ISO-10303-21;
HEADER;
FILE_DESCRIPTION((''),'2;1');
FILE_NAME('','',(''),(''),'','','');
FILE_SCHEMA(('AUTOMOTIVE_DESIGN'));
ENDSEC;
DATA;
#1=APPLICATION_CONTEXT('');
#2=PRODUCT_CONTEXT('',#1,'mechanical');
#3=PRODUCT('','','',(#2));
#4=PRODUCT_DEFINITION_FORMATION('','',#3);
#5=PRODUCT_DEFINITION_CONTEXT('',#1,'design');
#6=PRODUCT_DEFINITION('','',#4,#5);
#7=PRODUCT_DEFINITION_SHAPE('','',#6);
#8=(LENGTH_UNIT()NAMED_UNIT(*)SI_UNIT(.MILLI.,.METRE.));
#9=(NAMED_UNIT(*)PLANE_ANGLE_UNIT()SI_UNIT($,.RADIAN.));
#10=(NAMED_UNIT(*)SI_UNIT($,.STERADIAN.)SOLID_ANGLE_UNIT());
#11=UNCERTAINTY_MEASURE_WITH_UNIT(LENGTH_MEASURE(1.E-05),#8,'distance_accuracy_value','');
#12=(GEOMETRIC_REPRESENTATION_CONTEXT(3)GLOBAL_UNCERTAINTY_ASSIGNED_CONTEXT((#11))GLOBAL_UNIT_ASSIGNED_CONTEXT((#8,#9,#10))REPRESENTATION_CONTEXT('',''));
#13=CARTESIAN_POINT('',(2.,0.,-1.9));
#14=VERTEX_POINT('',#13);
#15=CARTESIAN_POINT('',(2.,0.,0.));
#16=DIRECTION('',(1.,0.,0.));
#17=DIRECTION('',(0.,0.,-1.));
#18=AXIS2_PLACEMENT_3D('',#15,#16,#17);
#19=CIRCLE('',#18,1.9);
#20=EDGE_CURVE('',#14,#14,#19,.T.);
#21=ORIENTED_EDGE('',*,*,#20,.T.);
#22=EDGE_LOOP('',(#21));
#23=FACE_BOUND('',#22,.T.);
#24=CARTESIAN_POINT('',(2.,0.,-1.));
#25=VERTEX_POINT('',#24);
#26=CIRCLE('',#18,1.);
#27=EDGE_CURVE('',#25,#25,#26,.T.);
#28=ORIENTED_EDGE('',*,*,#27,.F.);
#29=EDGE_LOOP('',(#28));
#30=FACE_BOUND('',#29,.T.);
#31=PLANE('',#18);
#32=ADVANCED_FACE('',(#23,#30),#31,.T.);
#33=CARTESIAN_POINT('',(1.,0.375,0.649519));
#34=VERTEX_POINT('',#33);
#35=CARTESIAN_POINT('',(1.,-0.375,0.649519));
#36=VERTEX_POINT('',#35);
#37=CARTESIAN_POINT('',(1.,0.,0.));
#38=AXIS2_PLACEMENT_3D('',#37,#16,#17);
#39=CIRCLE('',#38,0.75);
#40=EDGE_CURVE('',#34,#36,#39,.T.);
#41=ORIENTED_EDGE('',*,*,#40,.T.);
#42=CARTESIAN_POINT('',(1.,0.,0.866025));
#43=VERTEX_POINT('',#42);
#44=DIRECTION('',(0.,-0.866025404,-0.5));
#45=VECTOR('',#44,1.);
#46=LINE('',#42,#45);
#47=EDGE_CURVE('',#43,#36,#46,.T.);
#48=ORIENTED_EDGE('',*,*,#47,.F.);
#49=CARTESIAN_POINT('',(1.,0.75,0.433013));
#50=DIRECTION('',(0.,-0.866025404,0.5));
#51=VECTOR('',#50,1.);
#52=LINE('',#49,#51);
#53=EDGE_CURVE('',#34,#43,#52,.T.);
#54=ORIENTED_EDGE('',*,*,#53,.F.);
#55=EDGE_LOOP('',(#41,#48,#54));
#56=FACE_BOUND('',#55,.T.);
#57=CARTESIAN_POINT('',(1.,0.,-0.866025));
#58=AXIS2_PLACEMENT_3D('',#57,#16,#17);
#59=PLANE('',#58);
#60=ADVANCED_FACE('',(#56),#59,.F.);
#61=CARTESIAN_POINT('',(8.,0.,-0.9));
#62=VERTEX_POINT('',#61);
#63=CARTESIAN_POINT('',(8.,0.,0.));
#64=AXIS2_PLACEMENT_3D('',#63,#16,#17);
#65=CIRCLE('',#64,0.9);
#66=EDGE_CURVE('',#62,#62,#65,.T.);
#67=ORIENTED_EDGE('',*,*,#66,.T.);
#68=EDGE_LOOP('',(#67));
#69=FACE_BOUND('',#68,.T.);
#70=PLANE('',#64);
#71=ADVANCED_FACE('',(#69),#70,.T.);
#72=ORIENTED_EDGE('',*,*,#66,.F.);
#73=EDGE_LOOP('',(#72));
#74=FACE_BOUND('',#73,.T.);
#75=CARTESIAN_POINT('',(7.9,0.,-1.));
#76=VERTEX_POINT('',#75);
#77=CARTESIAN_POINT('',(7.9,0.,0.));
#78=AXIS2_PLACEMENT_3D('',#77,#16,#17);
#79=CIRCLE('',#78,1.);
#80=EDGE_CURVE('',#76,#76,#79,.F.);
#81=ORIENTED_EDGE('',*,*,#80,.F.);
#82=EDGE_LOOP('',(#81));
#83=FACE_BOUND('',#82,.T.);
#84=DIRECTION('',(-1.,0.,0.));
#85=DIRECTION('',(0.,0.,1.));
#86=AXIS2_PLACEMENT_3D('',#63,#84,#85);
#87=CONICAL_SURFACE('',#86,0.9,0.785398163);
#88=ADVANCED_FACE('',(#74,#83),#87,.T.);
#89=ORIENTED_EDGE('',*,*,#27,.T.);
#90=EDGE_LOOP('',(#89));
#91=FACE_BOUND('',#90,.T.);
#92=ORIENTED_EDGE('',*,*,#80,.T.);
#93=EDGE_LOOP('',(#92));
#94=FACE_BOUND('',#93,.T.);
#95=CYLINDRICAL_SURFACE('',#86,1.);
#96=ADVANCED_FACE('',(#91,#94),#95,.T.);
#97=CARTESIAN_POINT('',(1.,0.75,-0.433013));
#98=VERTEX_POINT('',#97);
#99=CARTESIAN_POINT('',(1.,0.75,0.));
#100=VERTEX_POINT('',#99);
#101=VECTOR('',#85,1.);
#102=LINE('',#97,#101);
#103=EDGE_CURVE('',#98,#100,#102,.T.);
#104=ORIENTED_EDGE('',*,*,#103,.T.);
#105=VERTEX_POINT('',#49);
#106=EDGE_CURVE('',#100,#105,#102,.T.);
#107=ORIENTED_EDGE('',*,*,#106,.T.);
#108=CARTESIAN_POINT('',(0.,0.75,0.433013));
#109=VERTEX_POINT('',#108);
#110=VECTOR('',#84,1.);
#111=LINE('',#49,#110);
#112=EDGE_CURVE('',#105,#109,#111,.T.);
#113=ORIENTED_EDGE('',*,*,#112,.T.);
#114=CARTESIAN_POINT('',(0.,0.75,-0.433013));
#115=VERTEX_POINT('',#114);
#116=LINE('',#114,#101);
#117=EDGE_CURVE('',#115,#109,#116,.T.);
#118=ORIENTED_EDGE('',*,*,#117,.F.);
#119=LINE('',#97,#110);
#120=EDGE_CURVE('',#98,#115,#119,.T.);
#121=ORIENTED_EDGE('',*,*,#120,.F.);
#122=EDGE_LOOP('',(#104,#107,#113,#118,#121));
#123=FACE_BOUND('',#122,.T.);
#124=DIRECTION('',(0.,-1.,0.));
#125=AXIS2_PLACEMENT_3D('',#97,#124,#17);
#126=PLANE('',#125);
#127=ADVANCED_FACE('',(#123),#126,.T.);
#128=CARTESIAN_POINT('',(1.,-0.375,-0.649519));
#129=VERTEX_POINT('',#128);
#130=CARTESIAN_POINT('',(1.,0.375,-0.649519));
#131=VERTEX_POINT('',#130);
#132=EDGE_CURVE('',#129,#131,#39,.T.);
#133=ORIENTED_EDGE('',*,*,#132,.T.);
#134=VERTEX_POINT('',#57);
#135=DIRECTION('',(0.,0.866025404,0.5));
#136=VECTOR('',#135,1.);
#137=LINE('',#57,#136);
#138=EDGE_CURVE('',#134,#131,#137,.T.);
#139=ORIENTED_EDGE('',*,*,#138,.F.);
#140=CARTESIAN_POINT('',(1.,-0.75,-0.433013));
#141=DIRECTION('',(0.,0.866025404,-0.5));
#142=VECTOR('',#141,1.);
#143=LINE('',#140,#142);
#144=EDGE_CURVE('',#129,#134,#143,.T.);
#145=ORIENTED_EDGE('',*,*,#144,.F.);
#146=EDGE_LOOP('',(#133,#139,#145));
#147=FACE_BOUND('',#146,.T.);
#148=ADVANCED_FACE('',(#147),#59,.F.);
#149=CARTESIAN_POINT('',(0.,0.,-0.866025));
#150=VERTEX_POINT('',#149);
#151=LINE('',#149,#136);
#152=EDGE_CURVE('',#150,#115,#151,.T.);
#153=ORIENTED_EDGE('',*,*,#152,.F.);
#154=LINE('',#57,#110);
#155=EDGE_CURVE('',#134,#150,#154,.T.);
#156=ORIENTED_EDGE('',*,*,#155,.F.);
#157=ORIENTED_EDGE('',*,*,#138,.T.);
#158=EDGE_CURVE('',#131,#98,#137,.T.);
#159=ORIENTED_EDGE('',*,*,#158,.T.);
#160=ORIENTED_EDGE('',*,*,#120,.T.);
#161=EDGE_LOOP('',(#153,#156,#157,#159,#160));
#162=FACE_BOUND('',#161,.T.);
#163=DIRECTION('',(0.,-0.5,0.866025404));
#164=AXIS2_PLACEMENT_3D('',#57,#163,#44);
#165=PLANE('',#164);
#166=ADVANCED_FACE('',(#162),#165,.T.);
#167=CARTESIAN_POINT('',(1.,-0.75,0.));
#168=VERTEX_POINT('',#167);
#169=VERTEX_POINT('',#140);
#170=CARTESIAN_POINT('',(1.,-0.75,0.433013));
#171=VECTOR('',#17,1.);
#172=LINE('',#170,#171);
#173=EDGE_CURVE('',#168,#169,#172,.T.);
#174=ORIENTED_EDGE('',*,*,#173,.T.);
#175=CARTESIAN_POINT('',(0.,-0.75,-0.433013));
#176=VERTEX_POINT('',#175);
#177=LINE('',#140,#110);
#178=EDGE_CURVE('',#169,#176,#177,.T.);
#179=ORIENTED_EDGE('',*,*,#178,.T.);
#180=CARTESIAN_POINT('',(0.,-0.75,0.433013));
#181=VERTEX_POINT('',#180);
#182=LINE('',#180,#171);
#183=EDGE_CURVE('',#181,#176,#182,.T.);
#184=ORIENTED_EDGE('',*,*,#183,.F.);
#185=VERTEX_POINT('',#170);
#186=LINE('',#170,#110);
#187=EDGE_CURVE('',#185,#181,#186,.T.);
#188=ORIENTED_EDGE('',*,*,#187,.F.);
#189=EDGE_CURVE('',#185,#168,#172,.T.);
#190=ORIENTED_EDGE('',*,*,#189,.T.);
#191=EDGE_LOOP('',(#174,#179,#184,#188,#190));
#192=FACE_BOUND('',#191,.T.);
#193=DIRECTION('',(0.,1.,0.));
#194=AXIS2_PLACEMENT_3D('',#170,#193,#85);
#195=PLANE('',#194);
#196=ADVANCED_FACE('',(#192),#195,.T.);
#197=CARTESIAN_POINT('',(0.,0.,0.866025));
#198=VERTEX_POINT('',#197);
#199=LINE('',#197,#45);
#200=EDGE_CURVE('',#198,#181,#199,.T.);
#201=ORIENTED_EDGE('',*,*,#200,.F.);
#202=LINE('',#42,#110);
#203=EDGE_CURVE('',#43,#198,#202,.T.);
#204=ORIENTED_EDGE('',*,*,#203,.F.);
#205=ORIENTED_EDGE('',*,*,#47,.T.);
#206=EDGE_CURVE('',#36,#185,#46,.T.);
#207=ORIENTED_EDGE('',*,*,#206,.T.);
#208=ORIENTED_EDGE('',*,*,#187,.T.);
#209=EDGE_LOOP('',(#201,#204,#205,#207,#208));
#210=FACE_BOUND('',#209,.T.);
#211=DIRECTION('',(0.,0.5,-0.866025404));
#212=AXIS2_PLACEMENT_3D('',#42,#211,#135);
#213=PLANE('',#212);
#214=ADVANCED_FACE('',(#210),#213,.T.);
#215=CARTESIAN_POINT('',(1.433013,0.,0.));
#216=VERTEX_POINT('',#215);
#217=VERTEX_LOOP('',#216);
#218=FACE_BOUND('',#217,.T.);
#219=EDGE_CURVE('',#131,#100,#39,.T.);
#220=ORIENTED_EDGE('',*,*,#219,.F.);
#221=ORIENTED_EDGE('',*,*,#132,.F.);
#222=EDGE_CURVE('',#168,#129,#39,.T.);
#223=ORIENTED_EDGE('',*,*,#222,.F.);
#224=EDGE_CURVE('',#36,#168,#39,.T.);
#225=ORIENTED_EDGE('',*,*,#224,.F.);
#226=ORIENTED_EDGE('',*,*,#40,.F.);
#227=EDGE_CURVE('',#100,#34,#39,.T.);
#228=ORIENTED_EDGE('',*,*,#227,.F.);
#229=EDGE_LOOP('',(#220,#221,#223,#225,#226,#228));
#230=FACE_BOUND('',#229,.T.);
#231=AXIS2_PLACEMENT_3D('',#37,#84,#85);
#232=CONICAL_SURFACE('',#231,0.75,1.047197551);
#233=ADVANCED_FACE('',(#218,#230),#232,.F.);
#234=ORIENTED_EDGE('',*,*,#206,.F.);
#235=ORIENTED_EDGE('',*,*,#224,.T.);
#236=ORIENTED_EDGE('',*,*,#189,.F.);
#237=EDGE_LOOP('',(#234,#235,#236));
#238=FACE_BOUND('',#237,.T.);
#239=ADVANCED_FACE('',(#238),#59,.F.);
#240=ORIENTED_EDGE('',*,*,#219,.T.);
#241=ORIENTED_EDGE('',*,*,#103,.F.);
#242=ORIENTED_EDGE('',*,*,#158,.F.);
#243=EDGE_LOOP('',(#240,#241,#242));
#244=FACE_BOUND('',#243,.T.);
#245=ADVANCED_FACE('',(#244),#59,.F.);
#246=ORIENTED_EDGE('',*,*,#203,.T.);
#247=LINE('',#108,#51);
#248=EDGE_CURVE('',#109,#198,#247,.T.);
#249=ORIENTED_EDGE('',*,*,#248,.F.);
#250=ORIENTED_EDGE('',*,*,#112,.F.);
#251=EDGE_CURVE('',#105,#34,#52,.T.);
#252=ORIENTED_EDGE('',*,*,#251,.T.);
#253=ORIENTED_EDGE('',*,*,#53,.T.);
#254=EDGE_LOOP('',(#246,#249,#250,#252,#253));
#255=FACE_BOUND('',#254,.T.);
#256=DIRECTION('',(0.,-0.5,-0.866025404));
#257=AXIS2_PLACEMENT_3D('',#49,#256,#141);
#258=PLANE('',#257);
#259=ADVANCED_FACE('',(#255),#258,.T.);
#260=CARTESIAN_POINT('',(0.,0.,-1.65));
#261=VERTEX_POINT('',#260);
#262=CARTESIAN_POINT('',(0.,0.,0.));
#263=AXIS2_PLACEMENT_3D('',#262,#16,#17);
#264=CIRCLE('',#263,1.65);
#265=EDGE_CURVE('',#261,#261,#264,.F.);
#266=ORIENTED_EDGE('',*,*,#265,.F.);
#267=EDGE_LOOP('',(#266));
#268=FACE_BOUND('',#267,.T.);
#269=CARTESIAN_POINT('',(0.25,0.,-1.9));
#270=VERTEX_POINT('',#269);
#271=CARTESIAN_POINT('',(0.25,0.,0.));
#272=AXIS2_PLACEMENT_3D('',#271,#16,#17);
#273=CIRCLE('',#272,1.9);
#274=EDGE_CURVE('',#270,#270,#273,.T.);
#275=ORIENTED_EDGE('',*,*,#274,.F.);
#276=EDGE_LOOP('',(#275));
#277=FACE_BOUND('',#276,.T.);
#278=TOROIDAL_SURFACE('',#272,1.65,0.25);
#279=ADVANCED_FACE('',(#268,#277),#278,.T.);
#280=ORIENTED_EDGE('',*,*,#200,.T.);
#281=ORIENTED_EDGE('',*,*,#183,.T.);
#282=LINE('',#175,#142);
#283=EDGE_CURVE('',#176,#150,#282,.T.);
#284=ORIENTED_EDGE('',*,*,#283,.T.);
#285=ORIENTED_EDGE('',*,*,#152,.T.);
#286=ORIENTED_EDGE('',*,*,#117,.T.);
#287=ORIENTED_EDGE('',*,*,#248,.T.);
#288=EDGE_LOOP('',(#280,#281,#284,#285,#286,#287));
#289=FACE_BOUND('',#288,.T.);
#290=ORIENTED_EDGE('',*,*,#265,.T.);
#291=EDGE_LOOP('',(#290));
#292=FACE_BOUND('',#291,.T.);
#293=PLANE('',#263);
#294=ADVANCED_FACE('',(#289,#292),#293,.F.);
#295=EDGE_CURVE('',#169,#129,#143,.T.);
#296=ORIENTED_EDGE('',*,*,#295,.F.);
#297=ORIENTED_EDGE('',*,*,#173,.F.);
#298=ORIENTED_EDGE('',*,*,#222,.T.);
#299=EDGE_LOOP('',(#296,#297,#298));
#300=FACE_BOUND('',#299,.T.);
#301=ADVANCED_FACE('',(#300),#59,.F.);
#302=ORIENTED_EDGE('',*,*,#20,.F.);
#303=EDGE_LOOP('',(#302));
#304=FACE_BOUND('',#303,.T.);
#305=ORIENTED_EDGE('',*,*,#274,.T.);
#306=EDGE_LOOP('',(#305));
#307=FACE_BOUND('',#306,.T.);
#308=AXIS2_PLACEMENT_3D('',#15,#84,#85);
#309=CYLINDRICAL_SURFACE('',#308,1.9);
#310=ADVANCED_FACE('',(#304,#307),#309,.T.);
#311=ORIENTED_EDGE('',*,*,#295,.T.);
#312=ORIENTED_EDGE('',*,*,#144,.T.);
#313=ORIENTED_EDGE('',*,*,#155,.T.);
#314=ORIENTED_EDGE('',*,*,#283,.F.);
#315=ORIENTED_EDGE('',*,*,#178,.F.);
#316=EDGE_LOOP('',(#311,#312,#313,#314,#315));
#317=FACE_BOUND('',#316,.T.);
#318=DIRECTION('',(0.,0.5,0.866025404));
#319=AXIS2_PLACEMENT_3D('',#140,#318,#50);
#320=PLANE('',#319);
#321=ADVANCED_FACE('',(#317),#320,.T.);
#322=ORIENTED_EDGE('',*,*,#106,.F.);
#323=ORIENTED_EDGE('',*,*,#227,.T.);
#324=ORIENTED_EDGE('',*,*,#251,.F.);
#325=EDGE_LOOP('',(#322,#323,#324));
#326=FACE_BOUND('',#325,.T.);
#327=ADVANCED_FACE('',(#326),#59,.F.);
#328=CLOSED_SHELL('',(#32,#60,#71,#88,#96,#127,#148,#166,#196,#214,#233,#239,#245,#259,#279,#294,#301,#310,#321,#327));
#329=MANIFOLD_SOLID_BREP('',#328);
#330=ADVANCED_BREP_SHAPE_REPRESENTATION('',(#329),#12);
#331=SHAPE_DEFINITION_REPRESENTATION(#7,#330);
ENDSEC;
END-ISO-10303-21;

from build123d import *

# Parameters (mm, degrees)
SKETCH1_R           = 1.9
BASEHEAD_DEPTH      = 2
SKETCH2_R           = 1
BASEBODY_DEPTH      = 6
HEXAGONSOCKET_DEPTH = 1
TOPFILLET_R         = 0.25
CHAMFER1_SIZE       = 0.1


with BuildPart() as part:
    # Sketch1 → BaseHead (new body)
    with BuildSketch(Plane(origin=(0, 0, 0), x_dir=(0, 0, -1), z_dir=(1, 0, 0))):
        Circle(SKETCH1_R)
    extrude(amount=BASEHEAD_DEPTH)

    # Sketch2 → BaseBody (add)
    with BuildSketch(Plane(origin=(2, 0, 0), x_dir=(0, 0, -1), z_dir=(1, 0, 0))):
        Circle(SKETCH2_R)
    extrude(amount=BASEBODY_DEPTH)

    # Sketch3 → HexagonSocket (cut)
    with BuildSketch(Plane(origin=(0, 0, 0), x_dir=(0, 0, -1), z_dir=(1, 0, 0))):
        Polygon((0.866025404, 0), (0.433012702, 0.75), (-0.433012702, 0.75), (-0.866025404, 0), (-0.433012702, -0.75), (0.433012702, -0.75), align=None)
    extrude(amount=HEXAGONSOCKET_DEPTH, mode=Mode.SUBTRACT)

    # Sketch4 → Cut-Revolve1 (revolve, cut)
    with BuildSketch(Plane(origin=(-4.19613823, 0.75, 0), x_dir=(-1, 0, 0), z_dir=(0, 0, 1)), mode=Mode.PRIVATE) as cut_revolve1_sk:
        Polygon((-5.19613823, 1.5), (-5.629150931, 0.75), (-5.19613823, 0.75), align=None)
    revolve(cut_revolve1_sk.sketch.rotate(Axis((0.838992387, 0, 0), (-1, 0, 0)), 90), axis=Axis((0.838992387, 0, 0), (-1, 0, 0)), mode=Mode.SUBTRACT)

    # TopFillet
    topfillet_edges = [part.edges().sort_by_distance(p)[0] for p in [
        (0, 0, 1.9),
    ]]
    fillet(topfillet_edges, radius=TOPFILLET_R)

    # Chamfer1
    chamfer1_edges = [part.edges().sort_by_distance(p)[0] for p in [
        (8, 0, 1),
    ]]
    chamfer(chamfer1_edges, length=CHAMFER1_SIZE)


solid = part.part
